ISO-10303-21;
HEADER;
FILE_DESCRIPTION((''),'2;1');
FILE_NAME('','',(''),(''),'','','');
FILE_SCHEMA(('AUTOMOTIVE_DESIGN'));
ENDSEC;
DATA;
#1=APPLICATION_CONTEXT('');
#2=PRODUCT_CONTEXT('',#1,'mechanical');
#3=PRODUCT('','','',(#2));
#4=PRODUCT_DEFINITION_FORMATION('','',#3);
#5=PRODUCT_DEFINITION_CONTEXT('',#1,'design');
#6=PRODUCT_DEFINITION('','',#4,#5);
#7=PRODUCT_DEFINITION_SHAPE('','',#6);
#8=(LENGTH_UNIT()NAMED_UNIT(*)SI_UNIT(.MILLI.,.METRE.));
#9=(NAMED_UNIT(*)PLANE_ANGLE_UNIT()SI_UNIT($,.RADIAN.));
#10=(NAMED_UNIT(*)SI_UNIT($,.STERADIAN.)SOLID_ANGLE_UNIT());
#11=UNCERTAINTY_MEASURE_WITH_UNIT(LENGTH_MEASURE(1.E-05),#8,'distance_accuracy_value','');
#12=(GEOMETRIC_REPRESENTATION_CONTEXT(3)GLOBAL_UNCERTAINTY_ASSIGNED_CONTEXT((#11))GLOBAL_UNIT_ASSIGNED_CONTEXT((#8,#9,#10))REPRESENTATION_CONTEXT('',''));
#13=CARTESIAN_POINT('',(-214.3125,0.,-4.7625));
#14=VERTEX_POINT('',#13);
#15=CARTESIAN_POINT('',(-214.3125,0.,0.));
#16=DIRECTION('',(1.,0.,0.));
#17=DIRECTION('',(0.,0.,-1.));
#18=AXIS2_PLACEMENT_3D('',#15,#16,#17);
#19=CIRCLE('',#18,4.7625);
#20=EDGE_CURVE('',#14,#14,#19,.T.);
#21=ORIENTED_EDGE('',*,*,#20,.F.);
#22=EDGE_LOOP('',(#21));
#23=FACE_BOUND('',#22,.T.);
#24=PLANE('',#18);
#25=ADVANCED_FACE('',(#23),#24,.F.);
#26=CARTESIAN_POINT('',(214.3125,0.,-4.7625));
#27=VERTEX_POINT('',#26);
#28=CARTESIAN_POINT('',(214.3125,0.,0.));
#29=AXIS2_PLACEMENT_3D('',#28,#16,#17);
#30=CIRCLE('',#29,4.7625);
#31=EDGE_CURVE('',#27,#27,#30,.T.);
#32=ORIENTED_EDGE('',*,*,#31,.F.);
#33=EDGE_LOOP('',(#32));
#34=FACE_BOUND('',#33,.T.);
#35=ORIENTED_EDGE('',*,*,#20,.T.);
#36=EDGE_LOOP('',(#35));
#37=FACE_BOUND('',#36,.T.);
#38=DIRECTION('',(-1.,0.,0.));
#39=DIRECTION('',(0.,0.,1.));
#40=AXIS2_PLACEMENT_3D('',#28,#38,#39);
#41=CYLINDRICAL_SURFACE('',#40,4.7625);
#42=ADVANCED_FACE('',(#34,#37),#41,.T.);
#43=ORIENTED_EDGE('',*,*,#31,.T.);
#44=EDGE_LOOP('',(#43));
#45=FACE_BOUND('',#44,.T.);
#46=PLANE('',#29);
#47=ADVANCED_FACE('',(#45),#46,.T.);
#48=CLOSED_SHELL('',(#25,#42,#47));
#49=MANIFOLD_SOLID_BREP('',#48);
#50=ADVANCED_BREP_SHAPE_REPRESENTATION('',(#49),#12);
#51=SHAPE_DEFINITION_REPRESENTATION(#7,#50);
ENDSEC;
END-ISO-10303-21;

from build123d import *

# Parameters (mm, degrees)
SKETCH1_R      = 4.7625
EXTRUDE1_DEPTH = 214.3125


with BuildPart() as part:
    # Sketch1 → Extrude1 (new, symmetric)
    with BuildSketch(Plane(origin=(0, 0, 0), x_dir=(0, 0, -1), z_dir=(1, 0, 0))):
        Circle(SKETCH1_R)
    extrude(amount=EXTRUDE1_DEPTH, both=True)


solid = part.part
